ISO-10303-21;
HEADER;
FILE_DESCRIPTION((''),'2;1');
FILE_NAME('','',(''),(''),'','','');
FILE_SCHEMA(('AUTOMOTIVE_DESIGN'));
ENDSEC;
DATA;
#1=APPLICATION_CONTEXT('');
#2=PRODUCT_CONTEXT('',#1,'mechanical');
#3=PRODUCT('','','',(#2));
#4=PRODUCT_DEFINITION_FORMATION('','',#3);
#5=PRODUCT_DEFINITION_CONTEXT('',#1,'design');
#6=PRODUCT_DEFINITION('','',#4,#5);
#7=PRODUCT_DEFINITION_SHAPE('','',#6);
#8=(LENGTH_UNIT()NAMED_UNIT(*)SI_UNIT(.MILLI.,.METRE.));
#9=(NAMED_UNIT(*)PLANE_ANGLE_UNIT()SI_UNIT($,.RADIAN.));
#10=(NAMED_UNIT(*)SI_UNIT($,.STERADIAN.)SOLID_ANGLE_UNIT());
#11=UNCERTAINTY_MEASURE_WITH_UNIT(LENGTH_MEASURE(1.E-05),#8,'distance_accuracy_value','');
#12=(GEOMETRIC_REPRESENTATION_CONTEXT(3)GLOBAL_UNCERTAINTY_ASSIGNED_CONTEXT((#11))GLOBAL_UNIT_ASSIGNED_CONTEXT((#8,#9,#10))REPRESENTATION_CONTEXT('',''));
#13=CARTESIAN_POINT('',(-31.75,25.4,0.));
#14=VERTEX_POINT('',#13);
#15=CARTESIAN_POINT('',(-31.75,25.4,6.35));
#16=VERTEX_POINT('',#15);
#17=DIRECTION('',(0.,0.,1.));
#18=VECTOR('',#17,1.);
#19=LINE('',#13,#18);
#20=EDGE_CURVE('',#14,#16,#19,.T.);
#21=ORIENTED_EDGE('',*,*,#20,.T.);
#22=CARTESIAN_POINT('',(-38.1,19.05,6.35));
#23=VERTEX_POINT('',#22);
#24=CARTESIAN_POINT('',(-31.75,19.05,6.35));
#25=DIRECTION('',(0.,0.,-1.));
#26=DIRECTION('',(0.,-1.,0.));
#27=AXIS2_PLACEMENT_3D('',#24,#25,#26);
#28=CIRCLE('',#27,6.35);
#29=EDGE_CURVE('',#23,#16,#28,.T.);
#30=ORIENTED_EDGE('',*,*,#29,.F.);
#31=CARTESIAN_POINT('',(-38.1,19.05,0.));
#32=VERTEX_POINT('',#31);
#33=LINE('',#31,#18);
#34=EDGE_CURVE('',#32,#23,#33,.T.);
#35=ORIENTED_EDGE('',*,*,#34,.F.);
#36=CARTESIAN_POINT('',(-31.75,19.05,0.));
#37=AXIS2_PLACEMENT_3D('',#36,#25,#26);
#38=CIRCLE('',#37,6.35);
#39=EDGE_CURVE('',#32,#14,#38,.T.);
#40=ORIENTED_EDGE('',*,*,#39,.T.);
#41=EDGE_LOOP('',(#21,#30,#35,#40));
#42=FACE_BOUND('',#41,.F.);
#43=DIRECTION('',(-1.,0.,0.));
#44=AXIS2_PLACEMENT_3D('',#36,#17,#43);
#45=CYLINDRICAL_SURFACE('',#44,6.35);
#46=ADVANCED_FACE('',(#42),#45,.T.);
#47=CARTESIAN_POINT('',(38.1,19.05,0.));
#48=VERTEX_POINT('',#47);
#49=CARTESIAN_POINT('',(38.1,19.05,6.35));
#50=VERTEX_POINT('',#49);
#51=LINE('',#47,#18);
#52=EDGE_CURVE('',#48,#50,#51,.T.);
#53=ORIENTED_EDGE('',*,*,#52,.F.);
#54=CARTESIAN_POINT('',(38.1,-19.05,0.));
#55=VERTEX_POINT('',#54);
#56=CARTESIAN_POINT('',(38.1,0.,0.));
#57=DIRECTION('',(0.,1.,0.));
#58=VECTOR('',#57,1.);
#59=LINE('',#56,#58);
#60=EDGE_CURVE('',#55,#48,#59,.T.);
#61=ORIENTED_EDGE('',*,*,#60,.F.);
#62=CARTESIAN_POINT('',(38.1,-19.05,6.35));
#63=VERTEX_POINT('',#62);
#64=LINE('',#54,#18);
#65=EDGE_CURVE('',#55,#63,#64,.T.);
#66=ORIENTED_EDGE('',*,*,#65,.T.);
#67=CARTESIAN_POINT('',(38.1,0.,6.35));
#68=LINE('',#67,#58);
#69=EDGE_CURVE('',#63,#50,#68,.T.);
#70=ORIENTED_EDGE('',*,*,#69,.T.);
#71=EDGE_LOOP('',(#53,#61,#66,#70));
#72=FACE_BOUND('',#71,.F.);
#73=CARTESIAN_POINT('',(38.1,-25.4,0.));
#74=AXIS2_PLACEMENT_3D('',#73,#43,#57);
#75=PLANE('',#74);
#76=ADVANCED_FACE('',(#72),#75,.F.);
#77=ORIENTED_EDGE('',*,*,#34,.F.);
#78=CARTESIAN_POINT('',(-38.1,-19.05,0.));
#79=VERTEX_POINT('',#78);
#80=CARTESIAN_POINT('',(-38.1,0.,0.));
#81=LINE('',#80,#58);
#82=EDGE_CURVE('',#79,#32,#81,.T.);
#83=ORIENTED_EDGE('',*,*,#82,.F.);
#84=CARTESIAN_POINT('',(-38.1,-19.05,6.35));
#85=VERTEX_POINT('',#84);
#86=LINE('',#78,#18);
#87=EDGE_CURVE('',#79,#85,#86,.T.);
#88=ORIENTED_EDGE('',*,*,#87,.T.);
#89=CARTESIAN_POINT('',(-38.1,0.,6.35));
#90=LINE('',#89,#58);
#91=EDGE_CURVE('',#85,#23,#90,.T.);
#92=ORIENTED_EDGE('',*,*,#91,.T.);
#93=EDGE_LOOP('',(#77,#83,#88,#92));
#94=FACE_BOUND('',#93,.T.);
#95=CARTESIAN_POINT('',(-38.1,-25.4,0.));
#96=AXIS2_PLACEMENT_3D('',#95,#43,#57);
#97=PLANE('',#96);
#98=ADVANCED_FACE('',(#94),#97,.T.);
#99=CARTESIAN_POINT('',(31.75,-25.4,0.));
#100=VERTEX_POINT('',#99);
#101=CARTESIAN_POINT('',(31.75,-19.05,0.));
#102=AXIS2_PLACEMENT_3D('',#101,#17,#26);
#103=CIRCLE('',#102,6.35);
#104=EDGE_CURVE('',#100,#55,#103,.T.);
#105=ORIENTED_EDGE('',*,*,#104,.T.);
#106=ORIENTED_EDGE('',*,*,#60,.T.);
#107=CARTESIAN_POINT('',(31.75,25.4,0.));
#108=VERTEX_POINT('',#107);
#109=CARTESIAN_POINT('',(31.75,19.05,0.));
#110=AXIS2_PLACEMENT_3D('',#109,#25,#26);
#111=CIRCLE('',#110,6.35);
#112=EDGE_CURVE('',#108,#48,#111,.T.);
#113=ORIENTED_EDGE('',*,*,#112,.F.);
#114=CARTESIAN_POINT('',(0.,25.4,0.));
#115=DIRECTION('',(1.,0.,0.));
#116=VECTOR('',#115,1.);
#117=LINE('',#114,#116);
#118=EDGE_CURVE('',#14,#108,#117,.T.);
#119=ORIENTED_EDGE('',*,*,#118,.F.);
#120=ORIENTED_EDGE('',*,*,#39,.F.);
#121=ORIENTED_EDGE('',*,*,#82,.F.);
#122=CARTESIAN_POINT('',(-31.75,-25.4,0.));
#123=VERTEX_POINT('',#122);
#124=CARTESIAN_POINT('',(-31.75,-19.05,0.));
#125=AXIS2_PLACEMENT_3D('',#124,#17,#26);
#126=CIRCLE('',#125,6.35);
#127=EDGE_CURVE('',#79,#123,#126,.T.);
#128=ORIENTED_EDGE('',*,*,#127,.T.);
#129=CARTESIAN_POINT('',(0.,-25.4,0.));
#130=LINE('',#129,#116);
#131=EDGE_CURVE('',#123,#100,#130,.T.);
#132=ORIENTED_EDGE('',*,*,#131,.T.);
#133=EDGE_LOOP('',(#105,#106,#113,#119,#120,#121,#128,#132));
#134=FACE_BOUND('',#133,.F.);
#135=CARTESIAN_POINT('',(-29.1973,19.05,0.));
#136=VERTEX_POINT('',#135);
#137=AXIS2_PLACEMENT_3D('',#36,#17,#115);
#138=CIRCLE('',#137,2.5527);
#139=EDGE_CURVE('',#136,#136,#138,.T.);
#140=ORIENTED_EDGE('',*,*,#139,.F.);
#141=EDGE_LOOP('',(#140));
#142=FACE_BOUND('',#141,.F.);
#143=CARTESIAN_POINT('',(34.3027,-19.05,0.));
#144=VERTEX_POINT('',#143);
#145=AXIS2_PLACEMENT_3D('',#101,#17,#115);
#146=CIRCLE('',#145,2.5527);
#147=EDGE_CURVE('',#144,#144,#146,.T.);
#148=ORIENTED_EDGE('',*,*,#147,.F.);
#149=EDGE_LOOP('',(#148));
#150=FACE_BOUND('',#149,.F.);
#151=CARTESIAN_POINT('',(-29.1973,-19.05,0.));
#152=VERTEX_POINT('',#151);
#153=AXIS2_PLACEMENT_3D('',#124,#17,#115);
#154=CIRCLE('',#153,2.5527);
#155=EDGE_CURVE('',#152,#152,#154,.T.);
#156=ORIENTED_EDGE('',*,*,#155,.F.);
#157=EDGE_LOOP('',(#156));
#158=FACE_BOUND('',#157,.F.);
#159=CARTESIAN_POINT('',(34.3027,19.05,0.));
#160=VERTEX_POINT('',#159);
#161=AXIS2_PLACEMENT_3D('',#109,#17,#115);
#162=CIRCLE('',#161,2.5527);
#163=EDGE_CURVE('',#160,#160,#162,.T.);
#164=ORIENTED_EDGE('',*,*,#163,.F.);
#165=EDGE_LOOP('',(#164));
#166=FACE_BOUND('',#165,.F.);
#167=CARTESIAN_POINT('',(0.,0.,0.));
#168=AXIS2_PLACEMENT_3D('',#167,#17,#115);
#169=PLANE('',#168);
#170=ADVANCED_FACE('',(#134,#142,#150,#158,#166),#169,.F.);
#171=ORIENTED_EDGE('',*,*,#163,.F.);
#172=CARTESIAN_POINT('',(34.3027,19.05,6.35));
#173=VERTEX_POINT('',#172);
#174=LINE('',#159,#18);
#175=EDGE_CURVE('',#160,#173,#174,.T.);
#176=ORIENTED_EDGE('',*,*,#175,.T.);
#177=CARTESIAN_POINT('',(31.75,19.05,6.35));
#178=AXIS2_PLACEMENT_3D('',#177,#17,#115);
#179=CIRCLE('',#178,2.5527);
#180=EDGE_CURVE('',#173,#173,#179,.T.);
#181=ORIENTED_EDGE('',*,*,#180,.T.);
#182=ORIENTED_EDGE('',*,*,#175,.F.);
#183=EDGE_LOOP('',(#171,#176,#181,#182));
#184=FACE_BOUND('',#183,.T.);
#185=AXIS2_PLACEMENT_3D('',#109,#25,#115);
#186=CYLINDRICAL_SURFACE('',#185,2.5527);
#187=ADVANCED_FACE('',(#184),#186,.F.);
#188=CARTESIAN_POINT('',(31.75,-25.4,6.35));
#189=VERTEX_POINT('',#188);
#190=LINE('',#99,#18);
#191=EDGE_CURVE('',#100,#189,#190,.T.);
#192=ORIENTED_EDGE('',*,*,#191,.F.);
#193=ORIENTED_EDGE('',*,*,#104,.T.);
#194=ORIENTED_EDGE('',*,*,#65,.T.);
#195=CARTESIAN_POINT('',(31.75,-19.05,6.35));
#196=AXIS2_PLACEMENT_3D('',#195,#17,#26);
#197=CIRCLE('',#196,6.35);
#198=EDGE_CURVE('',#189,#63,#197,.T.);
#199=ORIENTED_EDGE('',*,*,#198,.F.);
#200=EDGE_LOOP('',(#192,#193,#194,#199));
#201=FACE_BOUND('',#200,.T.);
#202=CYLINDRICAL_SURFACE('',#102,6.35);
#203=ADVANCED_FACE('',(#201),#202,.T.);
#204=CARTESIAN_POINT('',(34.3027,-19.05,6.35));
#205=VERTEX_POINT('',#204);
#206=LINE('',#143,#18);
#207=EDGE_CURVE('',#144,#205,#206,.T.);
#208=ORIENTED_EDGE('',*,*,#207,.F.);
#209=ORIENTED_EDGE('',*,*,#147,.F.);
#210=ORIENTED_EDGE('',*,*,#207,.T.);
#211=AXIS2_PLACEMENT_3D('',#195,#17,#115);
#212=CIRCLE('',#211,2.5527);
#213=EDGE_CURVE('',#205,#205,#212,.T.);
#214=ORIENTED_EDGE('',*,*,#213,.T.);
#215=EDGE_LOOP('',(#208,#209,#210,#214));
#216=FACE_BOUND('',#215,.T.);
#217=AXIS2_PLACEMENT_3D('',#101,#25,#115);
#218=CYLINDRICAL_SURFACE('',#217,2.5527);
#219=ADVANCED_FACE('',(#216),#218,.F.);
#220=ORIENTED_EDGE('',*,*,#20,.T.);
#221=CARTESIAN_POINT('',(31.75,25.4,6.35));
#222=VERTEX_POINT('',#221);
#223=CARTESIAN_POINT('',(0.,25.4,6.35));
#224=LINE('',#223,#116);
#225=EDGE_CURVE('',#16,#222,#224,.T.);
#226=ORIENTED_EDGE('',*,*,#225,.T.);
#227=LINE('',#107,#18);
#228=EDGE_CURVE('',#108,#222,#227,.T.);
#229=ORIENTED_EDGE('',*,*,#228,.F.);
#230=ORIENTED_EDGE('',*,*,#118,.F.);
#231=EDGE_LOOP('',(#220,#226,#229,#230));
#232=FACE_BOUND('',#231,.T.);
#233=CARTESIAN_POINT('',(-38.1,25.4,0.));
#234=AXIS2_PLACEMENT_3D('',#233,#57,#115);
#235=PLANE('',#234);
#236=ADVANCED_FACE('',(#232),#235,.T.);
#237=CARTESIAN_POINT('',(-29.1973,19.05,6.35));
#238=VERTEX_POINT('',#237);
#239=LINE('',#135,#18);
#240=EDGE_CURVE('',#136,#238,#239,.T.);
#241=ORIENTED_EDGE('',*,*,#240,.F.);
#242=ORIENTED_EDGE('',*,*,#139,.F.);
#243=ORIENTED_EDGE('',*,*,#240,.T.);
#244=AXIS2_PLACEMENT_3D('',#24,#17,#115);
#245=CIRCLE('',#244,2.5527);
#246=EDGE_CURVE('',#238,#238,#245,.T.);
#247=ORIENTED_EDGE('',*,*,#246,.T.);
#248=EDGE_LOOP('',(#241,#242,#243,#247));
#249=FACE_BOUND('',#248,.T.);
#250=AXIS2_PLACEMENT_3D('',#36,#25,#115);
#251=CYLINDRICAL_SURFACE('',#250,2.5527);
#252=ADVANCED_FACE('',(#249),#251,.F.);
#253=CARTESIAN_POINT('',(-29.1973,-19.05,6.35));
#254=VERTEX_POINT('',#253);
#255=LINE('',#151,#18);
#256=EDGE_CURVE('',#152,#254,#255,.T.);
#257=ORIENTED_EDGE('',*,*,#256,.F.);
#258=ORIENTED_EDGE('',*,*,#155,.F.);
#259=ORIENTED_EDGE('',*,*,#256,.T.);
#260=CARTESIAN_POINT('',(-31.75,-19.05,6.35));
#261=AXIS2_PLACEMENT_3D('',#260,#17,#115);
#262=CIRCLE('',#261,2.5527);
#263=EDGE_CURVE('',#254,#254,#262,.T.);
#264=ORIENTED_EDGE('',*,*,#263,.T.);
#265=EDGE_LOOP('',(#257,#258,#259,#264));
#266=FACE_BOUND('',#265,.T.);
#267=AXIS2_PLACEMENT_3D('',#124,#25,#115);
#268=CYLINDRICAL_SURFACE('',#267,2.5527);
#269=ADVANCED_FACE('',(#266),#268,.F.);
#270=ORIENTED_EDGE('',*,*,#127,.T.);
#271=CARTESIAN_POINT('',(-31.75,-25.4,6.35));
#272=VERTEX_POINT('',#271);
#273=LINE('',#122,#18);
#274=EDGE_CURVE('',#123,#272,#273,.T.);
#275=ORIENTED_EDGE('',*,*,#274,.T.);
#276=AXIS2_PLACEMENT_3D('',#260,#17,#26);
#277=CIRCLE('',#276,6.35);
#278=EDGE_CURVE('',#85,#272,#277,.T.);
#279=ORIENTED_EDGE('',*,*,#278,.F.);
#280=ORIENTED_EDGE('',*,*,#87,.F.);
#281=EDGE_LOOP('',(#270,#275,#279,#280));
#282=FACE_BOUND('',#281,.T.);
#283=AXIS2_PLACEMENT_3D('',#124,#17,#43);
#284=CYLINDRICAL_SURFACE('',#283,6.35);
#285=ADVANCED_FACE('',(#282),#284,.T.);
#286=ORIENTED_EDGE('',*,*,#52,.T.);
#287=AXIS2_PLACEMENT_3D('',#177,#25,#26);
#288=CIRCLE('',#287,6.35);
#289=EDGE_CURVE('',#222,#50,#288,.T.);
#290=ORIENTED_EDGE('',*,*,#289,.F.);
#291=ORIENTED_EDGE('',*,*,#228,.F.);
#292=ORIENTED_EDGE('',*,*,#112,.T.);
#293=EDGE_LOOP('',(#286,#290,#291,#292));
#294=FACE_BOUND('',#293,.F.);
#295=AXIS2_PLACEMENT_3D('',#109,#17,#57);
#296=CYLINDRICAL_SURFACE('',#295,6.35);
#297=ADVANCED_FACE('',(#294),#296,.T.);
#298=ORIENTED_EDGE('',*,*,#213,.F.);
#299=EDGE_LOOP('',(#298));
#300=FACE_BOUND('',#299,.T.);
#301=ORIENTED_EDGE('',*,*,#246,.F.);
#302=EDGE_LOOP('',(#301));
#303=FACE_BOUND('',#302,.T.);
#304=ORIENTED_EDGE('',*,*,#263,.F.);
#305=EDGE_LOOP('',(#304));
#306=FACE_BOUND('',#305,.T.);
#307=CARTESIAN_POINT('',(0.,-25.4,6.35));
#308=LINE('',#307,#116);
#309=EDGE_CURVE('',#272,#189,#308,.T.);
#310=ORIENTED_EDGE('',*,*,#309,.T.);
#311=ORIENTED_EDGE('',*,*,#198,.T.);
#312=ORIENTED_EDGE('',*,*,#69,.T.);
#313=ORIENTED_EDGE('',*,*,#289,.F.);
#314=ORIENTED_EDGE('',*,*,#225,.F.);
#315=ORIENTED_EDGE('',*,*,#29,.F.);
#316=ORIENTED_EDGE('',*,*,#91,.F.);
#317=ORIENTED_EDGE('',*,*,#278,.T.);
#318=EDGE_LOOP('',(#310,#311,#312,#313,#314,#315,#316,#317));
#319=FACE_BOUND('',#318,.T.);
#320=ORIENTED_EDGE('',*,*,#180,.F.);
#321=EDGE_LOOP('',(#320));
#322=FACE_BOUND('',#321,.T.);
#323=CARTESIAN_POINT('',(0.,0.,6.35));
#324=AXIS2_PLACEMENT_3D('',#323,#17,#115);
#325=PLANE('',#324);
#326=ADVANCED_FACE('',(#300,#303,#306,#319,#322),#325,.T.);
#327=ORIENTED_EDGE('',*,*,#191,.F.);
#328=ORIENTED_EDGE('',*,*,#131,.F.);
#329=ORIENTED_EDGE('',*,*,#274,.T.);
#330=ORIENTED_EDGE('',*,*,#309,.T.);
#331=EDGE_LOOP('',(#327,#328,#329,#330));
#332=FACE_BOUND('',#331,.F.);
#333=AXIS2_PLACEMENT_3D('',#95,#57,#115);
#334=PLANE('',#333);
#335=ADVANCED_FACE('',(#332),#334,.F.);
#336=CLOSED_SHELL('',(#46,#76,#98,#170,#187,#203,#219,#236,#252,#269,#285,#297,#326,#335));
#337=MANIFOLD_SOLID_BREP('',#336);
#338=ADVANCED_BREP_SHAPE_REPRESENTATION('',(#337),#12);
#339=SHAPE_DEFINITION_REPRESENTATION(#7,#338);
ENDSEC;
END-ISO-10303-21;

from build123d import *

# Parameters (mm, degrees)
F0_W     = 76.2
F0_H     = 50.8
F0_R     = 2.5527
F2_DEPTH = 6.35
F1_R     = 6.35


with BuildPart() as f2:
    # F0 (on Top) → F2 (new body)
    with BuildSketch(Plane.XY):
        Rectangle(F0_W, F0_H)
        with Locations((-31.75, -19.05)):
            Circle(F0_R, mode=Mode.SUBTRACT)
        with Locations((31.75, -19.05)):
            Circle(F0_R, mode=Mode.SUBTRACT)
        with Locations((-31.75, 19.05)):
            Circle(F0_R, mode=Mode.SUBTRACT)
        with Locations((31.75, 19.05)):
            Circle(F0_R, mode=Mode.SUBTRACT)
    extrude(amount=F2_DEPTH)

    # F1
    f1_edges = [f2.edges().sort_by_distance(p)[0] for p in [
        (-38.1, 25.4, 3.175),
        (-38.1, -25.4, 3.175),
        (38.1, 25.4, 3.175),
        (38.1, -25.4, 3.175),
    ]]
    fillet(f1_edges, radius=F1_R)


solid = f2.part
